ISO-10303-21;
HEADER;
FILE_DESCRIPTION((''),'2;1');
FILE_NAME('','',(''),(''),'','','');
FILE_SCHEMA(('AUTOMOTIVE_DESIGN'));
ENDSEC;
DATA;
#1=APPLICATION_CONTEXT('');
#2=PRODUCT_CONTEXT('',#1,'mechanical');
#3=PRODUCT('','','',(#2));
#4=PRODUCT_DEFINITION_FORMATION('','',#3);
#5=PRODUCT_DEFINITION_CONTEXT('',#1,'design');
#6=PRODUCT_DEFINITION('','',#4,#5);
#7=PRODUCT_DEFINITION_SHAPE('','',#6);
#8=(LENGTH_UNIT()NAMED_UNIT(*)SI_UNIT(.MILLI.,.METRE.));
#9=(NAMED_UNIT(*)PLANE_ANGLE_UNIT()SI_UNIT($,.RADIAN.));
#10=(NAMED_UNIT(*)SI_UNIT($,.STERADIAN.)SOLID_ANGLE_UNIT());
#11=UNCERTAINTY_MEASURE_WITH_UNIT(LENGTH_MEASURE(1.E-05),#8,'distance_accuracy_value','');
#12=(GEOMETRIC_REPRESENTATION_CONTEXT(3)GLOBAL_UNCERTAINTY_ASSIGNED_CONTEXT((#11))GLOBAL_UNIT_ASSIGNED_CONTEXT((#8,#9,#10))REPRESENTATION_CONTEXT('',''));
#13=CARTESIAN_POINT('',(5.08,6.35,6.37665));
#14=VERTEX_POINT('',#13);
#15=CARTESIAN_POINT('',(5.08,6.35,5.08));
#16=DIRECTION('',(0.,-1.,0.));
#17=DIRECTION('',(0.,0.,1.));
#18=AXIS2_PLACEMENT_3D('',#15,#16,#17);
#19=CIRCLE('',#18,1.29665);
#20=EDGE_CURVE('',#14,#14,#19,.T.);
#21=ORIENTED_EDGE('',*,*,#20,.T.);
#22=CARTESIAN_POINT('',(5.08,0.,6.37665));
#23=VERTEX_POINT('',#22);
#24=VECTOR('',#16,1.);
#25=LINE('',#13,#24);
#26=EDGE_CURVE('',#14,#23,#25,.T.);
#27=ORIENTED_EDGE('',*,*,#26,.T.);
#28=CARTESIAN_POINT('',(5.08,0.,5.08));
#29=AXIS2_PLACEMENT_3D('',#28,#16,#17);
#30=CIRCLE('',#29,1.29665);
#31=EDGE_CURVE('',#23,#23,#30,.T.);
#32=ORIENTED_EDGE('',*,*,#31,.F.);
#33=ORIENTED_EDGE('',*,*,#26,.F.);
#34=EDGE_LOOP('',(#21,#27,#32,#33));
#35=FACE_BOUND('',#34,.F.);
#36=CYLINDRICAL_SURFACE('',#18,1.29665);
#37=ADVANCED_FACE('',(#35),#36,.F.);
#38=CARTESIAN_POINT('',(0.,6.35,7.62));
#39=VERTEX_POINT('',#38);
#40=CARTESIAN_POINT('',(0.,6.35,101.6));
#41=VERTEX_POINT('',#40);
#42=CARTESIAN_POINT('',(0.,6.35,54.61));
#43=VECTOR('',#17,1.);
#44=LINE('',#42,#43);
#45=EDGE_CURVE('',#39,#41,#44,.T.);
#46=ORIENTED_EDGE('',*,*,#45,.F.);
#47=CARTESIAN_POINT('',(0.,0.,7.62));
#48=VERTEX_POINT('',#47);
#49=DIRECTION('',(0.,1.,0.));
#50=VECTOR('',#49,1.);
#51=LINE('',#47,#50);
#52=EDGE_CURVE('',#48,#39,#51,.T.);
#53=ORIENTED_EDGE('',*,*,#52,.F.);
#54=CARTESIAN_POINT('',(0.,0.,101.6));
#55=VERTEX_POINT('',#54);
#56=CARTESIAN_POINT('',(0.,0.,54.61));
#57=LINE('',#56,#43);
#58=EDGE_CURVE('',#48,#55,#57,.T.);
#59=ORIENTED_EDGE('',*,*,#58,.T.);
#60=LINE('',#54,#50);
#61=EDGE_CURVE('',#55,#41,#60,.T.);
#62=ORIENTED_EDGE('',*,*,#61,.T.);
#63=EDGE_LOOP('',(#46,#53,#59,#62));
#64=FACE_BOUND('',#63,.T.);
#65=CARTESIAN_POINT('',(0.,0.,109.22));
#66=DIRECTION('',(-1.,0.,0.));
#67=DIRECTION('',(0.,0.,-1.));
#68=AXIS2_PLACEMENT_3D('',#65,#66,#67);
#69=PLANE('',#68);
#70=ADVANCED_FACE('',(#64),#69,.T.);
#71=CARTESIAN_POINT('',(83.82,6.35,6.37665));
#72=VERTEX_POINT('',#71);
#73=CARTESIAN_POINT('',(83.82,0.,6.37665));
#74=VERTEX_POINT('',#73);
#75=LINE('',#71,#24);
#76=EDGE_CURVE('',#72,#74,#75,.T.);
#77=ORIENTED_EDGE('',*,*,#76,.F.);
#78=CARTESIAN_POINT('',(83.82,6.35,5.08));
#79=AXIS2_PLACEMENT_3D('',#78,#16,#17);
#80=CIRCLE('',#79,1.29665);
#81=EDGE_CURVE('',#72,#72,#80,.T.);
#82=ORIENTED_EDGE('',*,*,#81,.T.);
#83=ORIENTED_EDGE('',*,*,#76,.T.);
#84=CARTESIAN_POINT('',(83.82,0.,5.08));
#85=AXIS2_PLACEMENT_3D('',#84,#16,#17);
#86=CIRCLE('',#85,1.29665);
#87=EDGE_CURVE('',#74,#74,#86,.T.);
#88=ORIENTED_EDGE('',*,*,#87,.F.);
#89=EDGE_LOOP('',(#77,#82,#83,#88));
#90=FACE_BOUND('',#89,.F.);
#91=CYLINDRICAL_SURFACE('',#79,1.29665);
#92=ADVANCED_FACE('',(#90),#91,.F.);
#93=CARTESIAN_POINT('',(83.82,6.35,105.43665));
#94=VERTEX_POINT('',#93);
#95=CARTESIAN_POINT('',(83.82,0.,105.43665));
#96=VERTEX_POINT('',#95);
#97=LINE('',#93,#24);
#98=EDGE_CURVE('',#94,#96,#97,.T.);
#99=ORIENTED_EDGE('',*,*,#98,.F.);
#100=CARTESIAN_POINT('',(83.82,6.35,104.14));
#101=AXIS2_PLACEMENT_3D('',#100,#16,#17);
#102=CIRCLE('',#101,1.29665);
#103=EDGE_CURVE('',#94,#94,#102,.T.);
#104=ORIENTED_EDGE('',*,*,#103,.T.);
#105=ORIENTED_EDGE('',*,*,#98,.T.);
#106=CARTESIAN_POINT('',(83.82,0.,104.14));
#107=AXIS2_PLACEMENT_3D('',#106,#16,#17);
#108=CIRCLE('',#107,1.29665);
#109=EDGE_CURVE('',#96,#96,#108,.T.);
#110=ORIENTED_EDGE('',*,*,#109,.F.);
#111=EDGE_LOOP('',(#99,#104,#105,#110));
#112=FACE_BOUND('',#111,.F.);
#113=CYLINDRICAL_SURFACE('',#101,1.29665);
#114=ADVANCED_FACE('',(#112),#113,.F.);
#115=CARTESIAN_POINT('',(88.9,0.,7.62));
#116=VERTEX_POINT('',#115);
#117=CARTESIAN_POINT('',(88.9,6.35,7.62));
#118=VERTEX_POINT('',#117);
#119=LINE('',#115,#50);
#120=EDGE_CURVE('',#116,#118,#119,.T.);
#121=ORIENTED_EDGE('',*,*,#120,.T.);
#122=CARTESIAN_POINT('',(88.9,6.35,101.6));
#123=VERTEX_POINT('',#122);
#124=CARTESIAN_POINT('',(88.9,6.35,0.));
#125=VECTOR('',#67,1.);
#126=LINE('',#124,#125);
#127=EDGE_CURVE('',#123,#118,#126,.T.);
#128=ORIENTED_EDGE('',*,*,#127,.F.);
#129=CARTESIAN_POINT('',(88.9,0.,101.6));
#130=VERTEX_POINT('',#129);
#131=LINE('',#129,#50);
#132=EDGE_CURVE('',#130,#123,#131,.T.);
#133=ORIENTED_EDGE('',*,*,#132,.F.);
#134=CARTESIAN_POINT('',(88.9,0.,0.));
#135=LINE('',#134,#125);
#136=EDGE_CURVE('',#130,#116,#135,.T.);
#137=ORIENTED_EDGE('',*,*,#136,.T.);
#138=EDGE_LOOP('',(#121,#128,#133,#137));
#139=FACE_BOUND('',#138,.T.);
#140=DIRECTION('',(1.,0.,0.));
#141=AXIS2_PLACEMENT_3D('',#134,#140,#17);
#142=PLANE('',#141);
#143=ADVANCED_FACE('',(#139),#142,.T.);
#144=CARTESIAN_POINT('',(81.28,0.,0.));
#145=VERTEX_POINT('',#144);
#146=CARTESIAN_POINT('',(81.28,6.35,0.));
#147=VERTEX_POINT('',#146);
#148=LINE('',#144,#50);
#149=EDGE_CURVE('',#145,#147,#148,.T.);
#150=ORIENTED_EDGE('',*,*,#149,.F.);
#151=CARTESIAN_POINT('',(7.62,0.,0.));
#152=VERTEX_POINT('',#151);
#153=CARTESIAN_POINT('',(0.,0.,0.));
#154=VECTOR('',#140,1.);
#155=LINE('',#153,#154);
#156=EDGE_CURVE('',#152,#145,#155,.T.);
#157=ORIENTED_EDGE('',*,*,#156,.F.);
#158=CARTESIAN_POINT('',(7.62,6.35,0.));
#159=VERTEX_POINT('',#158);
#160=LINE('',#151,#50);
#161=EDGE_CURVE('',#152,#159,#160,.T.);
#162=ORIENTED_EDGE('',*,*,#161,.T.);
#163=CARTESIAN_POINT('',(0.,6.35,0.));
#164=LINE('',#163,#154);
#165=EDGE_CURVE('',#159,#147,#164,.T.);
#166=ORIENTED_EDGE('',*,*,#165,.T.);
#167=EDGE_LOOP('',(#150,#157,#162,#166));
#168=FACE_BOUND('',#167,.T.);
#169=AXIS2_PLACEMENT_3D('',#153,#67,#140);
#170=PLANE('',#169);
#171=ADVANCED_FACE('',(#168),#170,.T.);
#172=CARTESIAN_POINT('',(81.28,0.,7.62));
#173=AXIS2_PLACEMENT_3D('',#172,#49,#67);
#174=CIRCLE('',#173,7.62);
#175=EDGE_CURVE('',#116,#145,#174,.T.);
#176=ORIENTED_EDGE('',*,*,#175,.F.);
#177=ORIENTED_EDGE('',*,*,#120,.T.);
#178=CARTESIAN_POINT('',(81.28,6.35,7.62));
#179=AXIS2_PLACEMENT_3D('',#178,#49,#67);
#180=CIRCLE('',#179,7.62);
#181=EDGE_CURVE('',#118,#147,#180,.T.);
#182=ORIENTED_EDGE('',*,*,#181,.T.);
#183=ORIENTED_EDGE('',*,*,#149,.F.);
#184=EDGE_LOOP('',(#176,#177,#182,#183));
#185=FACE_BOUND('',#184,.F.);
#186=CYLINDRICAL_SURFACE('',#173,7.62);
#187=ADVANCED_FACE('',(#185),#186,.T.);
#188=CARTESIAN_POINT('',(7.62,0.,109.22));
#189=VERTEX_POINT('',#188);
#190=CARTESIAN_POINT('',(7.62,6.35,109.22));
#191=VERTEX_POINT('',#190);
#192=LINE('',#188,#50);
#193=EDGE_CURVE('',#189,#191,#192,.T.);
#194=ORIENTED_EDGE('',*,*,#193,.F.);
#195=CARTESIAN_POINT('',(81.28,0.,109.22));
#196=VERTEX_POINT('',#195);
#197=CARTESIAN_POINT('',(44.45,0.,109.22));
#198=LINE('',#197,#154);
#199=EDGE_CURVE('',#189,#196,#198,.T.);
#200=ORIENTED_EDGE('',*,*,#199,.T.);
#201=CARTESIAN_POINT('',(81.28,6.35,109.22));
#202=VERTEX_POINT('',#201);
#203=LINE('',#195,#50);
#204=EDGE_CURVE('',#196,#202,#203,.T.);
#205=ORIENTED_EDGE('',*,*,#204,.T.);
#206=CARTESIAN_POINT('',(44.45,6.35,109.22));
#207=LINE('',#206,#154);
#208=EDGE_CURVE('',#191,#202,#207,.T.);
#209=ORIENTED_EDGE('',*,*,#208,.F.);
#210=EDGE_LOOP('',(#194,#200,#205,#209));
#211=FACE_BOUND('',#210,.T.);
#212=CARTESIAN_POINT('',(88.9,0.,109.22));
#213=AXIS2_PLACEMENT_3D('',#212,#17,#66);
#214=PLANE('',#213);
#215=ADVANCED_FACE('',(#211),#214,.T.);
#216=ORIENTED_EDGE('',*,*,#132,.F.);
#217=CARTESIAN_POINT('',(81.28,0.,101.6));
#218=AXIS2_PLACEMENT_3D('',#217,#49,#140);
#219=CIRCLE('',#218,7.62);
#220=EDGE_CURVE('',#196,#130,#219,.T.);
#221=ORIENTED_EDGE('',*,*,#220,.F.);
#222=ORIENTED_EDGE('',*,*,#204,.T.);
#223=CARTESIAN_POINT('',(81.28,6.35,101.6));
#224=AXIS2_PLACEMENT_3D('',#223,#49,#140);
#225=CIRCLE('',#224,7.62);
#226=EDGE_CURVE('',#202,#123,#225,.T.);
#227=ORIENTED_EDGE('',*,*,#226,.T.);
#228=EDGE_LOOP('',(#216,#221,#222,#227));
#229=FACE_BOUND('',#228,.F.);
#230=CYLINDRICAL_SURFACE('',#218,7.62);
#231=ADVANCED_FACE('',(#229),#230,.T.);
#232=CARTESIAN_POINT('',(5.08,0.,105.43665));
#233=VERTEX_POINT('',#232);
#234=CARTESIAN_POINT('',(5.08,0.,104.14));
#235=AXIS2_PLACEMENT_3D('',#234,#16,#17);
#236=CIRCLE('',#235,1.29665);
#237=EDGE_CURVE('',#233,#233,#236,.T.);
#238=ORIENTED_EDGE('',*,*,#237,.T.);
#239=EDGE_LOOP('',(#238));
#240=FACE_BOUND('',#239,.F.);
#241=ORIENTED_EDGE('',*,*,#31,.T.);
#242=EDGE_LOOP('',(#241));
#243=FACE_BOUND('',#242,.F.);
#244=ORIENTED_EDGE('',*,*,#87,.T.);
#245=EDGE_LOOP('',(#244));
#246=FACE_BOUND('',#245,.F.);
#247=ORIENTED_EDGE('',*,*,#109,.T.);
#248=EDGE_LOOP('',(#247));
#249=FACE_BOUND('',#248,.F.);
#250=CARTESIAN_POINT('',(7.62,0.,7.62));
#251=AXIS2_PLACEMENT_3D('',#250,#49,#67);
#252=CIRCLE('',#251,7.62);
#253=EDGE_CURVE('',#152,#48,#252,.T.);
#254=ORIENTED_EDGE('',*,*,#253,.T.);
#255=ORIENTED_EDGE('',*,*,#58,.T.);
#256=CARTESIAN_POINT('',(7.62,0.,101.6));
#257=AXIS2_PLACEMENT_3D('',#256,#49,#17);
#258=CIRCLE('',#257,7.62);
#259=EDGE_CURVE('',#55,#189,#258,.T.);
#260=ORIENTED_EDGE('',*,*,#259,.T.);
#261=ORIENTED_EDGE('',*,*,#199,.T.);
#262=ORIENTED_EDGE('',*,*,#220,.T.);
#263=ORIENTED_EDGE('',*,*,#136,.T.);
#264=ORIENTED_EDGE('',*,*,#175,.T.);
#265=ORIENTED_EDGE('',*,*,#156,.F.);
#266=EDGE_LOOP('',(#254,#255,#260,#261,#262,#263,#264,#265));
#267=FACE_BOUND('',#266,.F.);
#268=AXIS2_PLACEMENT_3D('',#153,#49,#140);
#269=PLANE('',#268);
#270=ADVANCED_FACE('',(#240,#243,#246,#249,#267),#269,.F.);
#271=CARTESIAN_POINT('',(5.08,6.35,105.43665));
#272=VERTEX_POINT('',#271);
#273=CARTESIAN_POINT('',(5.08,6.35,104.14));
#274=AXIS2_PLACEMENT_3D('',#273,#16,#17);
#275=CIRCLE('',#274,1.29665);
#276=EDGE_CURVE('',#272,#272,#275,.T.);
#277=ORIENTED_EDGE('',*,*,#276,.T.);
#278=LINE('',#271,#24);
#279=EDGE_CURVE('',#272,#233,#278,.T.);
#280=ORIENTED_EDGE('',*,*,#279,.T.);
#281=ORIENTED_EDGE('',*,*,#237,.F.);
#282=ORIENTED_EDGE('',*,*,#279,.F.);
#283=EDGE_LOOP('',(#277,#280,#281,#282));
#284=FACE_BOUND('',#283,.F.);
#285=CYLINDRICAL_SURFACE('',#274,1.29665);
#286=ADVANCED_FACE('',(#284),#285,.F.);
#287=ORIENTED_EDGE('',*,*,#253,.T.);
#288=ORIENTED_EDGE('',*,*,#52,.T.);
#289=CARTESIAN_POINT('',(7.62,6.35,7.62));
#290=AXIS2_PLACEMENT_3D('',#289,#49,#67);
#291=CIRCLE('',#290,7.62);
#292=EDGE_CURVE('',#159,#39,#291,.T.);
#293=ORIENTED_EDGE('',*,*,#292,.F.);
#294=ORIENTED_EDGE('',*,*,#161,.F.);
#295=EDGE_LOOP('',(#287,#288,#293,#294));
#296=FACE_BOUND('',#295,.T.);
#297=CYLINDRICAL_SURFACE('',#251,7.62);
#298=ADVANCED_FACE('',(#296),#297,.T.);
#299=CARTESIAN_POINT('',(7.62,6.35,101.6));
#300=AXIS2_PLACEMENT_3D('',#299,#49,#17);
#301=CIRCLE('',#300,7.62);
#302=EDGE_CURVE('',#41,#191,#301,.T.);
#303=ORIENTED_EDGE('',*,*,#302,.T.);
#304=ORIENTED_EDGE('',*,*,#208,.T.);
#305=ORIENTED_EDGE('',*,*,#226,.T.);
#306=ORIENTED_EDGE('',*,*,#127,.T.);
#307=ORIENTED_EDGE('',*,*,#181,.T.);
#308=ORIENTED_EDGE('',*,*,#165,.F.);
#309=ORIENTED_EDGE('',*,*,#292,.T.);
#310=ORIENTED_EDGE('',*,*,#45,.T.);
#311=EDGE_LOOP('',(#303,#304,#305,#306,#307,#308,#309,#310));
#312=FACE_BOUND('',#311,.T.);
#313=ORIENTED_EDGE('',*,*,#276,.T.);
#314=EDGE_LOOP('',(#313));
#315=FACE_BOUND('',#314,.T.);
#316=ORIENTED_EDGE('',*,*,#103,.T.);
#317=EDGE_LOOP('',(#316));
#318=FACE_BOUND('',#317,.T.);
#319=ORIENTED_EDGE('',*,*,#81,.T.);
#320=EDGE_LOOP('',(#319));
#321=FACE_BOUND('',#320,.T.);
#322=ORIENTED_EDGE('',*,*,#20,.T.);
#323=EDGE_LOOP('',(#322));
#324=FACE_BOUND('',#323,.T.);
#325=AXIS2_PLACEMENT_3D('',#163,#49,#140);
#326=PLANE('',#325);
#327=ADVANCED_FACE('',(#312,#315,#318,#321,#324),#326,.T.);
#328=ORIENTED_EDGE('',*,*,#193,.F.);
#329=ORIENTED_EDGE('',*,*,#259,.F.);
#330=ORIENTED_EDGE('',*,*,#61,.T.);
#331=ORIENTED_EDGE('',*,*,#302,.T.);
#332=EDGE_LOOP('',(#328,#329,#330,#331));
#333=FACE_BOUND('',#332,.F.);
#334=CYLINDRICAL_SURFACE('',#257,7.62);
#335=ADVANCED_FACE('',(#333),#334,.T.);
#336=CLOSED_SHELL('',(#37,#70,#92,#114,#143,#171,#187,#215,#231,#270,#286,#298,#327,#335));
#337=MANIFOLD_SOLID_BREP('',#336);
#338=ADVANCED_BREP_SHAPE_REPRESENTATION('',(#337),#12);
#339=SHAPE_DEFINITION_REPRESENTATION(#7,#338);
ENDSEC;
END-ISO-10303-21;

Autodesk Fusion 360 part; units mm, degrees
sketch "Sketch1" plane through (0, 0, 0) normal (0, 1, 0) x (1, 0, 0)
  line L0 (0, 0) -> (88.9, 0)
  line L1 (88.9, 0) -> (88.9, -109.22)
  line L2 (88.9, -109.22) -> (0, -109.22)
  line L3 (0, -109.22) -> (0, 0)
  dimension "d1" = 88.9
  dimension "d2" = 109.22
extrude "Extrude1" add sketch "Sketch1" along normal blind 6.35
fillet "Fillet1" radius 7.62 4 edges at (88.9, 3.175, 0) (0, 3.175, 0) (88.9, 3.175, 109.22) (0, 3.175, 109.22)
sketch "Sketch2" plane through (0, 6.35, 0) normal (0, 1, 0) x (-1, 0, 0)
  arc A0 (0, 101.6) -> (-7.62, 109.22) centre (-7.62, 101.6) ccw
  line L0 (-7.62, 109.22) -> (-81.28, 109.22)
  arc A1 (-81.28, 109.22) -> (-88.9, 101.6) centre (-81.28, 101.6) ccw
  line L1 (-88.9, 101.6) -> (-88.9, 7.62)
  arc A2 (-88.9, 7.62) -> (-81.28, 0) centre (-81.28, 7.62) ccw
  line L2 (-81.28, 0) -> (-7.62, 0)
  arc A3 (-7.62, 0) -> (0, 7.62) centre (-7.62, 7.62) ccw
  line L3 (0, 7.62) -> (0, 101.6)
  line L4 (-63.8008, 109.22) -> (-63.8008, 101.6)
  line L5 (-88.9, 94.0515) -> (-81.28, 94.0515)
  line L6 (-81.28, 101.6) -> (-7.62, 101.6)
  line L7 (-7.62, 101.6) -> (-7.62, 7.62)
  line L8 (-7.62, 7.62) -> (-81.28, 7.62)
  line L9 (-81.28, 7.62) -> (-81.28, 101.6)
  line L10 (-7.62, 7.62) -> (-5.08, 5.08)
hole "Hole1" at (5.08, 6.35, 5.08) direction (0, -1, 0) diameter 3.175 end through all
sketch "Sketch3" plane through (0, 6.35, 0) normal (0, 1, 0) x (-1, 0, 0)
  circle A0 centre (-5.08, 5.08) radius 1.5875
  arc A1 (0, 101.6) -> (-7.62, 109.22) centre (-7.62, 101.6) ccw
  line L0 (-7.62, 109.22) -> (-81.28, 109.22)
  arc A2 (-81.28, 109.22) -> (-88.9, 101.6) centre (-81.28, 101.6) ccw
  line L1 (-88.9, 101.6) -> (-88.9, 7.62)
  arc A3 (-88.9, 7.62) -> (-81.28, 0) centre (-81.28, 7.62) ccw
  line L2 (-81.28, 0) -> (-7.62, 0)
  arc A4 (-7.62, 0) -> (0, 7.62) centre (-7.62, 7.62) ccw
  line L3 (0, 7.62) -> (0, 101.6)
  line L4 (-50.8, 0) -> (-50.8, 7.62)
  line L5 (-88.9, 22.8139) -> (-81.28, 22.8139)
  line L6 (-81.28, 7.62) -> (-7.62, 7.62)
  line L7 (-7.62, 7.62) -> (-7.62, 101.6)
  line L8 (-7.62, 101.6) -> (-81.28, 101.6)
  line L9 (-81.28, 101.6) -> (-81.28, 7.62)
  line L10 (-81.28, 7.62) -> (-83.82, 5.08)
  line L11 (-7.62, 101.6) -> (-5.08, 104.14)
  line L12 (-81.28, 101.6) -> (-83.82, 104.14)
hole "Hole2" at (83.82, 6.35, 5.08) direction (0, -1, 0) diameter 3.175 end through all
sketch "Sketch4" plane through (0, 6.35, 0) normal (0, 1, 0) x (-1, 0, 0)
  circle A0 centre (-83.82, 5.08) radius 1.5875
  circle A1 centre (-5.08, 5.08) radius 1.5875
  arc A2 (0, 101.6) -> (-7.62, 109.22) centre (-7.62, 101.6) ccw
  line L0 (-7.62, 109.22) -> (-81.28, 109.22)
  arc A3 (-81.28, 109.22) -> (-88.9, 101.6) centre (-81.28, 101.6) ccw
  line L1 (-88.9, 101.6) -> (-88.9, 7.62)
  arc A4 (-88.9, 7.62) -> (-81.28, 0) centre (-81.28, 7.62) ccw
  line L2 (-81.28, 0) -> (-7.62, 0)
  arc A5 (-7.62, 0) -> (0, 7.62) centre (-7.62, 7.62) ccw
  line L3 (0, 7.62) -> (0, 101.6)
  line L4 (0, 73.66) -> (-7.62, 73.66)
  line L5 (-28.8405, 109.22) -> (-28.8405, 101.6)
  line L6 (-7.62, 101.6) -> (-81.28, 101.6)
  line L7 (-81.28, 101.6) -> (-81.28, 60.96)
  line L8 (-81.28, 60.96) -> (-7.62, 60.96)
  line L9 (-7.62, 60.96) -> (-7.62, 101.6)
  line L10 (-44.45, 60.96) -> (-44.45, 101.6)
  line L11 (-7.62, 101.6) -> (-5.08, 104.14)
  line L12 (-81.28, 101.6) -> (-83.82, 104.14)
  point P0 (-83.82, 104.14)
  point P1 (-5.08, 104.14)
hole "Hole3" at (5.08, 6.35, 104.14) at (83.82, 6.35, 104.14) direction (0, -1, 0) diameter 3.175 end through all
thread "Thread1" "ANSI Unified Screw Threads 0.125(#5) 5-40 UNC 3B" major diameter 3.175 minor diameter 2.5933 pitch 0.635 angle 60 resizes the face on face at (5.2381, 4.2333, 6.6596) on face at (84.1346, 4.2333, 6.636) on face at (5.2381, 4.2333, 105.7196) on face at (84.2117, 4.2333, 102.6016)
